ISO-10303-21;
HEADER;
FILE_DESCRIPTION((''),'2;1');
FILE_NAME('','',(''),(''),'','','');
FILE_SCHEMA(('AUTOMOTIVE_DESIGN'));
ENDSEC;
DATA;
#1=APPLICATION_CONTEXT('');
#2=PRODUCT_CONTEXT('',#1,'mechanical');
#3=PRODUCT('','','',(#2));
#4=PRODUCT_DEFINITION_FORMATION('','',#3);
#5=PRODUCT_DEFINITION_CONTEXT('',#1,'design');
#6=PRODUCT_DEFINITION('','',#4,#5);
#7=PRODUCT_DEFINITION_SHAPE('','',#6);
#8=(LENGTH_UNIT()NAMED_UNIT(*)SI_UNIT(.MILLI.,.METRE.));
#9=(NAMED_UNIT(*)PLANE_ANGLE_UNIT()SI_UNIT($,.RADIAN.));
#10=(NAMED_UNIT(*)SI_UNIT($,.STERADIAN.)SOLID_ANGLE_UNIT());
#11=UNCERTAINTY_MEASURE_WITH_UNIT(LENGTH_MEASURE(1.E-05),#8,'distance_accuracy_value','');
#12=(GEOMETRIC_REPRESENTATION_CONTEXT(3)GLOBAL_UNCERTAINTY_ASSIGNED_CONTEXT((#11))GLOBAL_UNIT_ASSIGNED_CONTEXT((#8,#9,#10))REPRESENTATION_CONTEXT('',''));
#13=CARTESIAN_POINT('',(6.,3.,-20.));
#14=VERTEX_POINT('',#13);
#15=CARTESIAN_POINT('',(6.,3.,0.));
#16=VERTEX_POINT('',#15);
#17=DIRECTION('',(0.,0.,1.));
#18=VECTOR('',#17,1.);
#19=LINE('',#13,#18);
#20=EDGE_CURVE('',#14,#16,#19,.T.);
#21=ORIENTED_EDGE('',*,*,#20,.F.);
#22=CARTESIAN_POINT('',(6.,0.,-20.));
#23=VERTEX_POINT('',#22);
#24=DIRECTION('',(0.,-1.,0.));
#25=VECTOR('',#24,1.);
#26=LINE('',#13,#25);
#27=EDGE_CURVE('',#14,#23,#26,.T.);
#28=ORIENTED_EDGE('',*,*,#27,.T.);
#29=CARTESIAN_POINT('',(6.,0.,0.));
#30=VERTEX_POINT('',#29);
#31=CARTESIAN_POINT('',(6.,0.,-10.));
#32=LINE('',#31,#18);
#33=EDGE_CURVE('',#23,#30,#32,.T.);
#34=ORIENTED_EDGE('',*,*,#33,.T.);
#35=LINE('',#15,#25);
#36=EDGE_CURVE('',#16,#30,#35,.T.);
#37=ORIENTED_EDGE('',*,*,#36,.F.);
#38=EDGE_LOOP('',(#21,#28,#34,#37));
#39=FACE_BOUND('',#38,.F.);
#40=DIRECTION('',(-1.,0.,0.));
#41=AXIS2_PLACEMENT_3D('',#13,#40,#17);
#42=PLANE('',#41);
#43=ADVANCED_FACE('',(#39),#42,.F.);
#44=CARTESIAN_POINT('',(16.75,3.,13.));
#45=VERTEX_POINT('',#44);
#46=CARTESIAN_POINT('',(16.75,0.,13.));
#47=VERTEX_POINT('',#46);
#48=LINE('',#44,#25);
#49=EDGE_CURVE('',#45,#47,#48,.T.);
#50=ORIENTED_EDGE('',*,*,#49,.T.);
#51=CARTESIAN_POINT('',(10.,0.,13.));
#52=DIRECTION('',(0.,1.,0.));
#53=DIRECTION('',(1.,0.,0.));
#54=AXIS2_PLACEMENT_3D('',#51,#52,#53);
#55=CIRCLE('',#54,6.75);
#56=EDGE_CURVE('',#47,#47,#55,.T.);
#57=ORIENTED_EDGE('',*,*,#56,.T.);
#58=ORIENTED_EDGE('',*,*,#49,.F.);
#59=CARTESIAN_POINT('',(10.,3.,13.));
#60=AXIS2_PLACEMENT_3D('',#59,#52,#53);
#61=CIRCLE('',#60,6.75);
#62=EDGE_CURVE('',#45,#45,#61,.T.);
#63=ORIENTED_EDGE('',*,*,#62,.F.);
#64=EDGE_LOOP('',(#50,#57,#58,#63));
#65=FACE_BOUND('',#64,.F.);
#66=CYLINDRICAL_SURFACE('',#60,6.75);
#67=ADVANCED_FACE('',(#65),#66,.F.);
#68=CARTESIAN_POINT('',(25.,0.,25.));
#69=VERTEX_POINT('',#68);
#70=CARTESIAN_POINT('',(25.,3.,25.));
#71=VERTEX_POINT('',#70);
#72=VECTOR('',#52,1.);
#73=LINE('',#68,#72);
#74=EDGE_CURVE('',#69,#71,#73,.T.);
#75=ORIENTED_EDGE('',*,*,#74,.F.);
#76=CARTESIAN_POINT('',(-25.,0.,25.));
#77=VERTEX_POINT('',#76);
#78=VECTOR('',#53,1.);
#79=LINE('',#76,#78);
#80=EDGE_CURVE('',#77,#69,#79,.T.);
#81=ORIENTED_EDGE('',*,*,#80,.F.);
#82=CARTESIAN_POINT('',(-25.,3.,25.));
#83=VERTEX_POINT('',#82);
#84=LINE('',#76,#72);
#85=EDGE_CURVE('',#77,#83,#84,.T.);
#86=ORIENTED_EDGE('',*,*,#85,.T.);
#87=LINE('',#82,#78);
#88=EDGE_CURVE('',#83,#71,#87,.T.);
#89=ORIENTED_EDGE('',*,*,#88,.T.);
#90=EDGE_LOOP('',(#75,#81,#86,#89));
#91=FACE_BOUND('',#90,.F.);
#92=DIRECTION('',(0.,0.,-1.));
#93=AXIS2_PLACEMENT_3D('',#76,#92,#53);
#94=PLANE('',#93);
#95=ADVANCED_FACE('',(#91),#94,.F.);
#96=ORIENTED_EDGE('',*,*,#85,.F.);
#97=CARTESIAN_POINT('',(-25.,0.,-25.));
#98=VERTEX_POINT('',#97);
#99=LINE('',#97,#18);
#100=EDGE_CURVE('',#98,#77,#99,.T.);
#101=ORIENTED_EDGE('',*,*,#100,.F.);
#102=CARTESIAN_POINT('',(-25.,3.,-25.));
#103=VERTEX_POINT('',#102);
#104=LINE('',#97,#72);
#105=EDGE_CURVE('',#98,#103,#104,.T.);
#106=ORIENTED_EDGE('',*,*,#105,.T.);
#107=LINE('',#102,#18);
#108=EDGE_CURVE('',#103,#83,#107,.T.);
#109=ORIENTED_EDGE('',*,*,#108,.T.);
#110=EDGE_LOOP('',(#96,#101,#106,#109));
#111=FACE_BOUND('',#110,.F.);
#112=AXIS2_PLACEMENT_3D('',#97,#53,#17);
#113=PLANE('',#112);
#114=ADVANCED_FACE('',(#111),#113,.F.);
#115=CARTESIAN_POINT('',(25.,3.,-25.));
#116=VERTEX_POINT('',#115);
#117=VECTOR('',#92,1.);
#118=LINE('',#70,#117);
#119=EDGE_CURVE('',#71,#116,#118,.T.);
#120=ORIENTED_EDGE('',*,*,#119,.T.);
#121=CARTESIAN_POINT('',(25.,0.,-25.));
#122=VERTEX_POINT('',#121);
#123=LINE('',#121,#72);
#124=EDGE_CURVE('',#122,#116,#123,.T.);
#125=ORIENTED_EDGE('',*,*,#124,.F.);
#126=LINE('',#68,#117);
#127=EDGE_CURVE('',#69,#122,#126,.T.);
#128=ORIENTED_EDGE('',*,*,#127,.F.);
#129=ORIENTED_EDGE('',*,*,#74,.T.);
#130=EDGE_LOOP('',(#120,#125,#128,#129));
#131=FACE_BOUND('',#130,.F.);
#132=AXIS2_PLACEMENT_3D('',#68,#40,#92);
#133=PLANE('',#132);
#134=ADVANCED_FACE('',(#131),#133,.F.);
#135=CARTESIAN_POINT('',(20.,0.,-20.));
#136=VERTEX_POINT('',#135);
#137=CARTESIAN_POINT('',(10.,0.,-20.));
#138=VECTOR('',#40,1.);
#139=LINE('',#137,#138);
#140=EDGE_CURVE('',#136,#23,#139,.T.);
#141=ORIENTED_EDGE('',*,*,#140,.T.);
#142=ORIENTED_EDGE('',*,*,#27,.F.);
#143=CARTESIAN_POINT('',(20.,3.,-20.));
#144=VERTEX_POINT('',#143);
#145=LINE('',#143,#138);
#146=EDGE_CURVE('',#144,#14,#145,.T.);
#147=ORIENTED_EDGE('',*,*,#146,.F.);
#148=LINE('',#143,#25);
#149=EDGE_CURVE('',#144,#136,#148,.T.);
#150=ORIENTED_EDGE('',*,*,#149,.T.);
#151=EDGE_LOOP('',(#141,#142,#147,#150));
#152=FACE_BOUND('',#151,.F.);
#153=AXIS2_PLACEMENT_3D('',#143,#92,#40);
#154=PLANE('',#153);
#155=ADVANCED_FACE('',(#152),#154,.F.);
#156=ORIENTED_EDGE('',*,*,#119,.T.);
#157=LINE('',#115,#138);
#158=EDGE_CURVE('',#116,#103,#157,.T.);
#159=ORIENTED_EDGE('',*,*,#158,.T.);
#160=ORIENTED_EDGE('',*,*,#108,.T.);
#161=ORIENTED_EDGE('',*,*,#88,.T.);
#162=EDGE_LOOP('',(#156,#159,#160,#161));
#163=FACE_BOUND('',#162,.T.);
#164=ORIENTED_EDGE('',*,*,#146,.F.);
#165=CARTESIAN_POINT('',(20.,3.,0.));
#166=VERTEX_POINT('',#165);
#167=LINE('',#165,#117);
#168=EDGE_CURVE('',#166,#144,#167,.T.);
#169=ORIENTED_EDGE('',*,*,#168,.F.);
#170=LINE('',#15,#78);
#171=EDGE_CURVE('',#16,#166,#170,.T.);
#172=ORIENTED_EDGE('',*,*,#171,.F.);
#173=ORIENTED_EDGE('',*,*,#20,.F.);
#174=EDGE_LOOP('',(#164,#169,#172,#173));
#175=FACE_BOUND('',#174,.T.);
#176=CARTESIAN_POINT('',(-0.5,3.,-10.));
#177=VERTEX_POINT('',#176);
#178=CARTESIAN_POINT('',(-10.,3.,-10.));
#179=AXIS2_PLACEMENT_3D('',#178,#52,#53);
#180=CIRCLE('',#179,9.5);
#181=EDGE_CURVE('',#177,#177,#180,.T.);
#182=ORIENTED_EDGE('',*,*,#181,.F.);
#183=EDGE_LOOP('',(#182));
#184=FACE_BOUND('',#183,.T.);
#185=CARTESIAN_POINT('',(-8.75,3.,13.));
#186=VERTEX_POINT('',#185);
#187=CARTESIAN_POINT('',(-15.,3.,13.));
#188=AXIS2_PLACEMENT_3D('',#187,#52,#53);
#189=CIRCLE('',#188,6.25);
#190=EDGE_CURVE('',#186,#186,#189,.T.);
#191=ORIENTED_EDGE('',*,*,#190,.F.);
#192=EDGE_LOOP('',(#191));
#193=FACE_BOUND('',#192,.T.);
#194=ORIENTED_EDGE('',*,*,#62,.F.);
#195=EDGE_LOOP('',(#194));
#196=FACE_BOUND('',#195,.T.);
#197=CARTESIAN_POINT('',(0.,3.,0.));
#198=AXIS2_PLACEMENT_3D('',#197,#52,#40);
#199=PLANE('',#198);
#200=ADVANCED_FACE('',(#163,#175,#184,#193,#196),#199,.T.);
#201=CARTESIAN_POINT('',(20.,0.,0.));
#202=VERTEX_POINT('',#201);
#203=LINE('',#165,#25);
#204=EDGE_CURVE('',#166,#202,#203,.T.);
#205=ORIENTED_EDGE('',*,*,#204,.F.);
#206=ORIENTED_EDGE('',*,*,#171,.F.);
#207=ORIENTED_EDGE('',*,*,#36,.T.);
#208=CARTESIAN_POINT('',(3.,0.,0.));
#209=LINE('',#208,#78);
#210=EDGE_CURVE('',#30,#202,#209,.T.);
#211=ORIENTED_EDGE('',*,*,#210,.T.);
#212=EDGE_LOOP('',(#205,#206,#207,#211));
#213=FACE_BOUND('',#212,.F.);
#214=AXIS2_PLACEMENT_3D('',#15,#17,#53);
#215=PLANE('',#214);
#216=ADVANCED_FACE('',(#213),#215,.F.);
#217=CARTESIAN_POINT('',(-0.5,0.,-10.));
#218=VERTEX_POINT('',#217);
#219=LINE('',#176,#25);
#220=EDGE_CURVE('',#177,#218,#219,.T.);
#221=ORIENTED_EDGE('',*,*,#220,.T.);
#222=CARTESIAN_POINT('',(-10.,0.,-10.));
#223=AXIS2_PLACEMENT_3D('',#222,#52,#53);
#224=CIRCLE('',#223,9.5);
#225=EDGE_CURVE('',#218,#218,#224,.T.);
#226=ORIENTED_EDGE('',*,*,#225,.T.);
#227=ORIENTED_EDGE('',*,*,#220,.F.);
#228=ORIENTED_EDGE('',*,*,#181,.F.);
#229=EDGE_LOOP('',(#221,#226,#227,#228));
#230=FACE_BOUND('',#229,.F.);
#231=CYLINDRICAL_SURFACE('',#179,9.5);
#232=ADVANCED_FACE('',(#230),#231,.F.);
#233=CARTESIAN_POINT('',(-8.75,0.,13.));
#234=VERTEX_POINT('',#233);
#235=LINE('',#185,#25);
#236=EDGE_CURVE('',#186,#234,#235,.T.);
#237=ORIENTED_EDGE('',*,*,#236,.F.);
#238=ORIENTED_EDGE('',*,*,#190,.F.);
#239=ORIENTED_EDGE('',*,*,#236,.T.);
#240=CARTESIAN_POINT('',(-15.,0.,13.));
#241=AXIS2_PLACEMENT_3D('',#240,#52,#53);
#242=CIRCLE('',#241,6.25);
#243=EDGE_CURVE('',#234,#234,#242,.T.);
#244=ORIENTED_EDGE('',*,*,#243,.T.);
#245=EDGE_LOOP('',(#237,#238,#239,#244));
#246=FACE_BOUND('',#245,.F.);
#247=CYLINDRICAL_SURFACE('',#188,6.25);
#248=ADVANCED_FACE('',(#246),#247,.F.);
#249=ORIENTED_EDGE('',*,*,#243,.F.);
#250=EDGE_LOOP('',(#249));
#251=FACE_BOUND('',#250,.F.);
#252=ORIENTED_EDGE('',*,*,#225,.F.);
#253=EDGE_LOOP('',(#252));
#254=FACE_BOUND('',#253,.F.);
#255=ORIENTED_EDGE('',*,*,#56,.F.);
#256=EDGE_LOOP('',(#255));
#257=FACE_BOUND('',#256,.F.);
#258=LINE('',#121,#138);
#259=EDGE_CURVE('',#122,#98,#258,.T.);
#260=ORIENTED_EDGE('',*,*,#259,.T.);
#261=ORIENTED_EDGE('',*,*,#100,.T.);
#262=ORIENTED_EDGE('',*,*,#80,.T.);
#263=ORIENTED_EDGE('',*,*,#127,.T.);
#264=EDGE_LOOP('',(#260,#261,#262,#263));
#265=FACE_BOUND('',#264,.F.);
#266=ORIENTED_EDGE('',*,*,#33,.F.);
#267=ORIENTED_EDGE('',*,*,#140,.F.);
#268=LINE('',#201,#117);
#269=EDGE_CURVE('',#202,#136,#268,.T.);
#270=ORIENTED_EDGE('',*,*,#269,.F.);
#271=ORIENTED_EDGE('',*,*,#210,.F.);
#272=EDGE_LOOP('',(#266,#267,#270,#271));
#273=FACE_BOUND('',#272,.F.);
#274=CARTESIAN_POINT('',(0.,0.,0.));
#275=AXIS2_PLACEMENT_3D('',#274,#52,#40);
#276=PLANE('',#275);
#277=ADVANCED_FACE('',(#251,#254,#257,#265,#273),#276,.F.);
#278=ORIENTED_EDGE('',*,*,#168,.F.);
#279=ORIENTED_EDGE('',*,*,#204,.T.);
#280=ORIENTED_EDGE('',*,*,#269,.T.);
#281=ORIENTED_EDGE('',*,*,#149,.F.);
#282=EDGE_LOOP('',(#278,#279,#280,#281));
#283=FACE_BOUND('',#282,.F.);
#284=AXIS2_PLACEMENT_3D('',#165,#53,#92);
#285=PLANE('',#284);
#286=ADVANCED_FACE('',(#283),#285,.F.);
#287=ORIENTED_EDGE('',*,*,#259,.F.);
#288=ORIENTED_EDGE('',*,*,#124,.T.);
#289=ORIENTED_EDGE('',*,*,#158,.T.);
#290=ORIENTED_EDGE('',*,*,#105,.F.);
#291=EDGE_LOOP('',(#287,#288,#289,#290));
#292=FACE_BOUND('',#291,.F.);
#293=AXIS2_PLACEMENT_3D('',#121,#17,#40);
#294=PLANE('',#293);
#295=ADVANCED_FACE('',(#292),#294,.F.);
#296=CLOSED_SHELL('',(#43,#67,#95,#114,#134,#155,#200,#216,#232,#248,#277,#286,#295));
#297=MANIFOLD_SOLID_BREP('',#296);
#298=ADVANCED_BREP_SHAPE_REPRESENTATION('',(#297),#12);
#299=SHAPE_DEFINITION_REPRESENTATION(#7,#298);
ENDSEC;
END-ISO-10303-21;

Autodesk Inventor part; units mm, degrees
ref_plane "YZ Plane" through (0, 0, 0) normal (1, 0, 0) x (0, 1, 0)
ref_plane "XZ Plane" through (0, 0, 0) normal (0, 1, 0) x (-1, 0, 0)
ref_plane "XY Plane" through (0, 0, 0) normal (0, 0, 1) x (1, 0, 0)
sketch "Sketch1" plane through (0, 0, 0) normal (0, 1, 0) x (-1, 0, 0)
  line L0 (-25, -25) -> (25, -25)
  line L1 (25, -25) -> (25, 25)
  line L2 (25, 25) -> (-25, 25)
  line L3 (-25, 25) -> (-25, -25)
  line L4 (-25, -25) -> (25, 25) construction
  line L5 (25, -25) -> (-25, 25) construction
  point P0 (0, 0)
  dimension "d7" = 50
  dimension "d8" = 50
extrude "Base plate" add sketch "Sketch1" along normal blind 3
sketch "Sketch2" plane through (0, 3, 0) normal (0, 1, 0) x (1, 0, 0)
  circle A0 centre (10, -13) radius 6.75
  line L0 (-25, 25) -> (-25, -25) projected
  line L1 (-25, -25) -> (25, -25) projected
  point P0 (0, 0)
  dimension "d2" = 13.5
  dimension "d3" = 35
  dimension "d4" = 12
extrude "Tuimel" cut sketch "Sketch2" against normal through all
sketch "Sketch3" plane through (0, 3, 0) normal (0, 1, 0) x (1, 0, 0)
  circle A0 centre (-15, -13) radius 6.25
  line L0 (-25, 25) -> (-25, -25) projected
  line L1 (-25, -25) -> (25, -25) projected
  point P0 (0, 0)
  point P1 (5.9214, -25)
  point P2 (-5.9214, -25)
  dimension "d9" = 12.5
  dimension "d10" = 10
  dimension "d11" = 12
extrude "Button" cut sketch "Sketch3" against normal through all
sketch "Sketch5" plane through (0, 3, 0) normal (0, 1, 0) x (1, 0, 0)
  circle A0 centre (-10, 10) radius 9.5
  line L0 (-25, 25) -> (-25, -25) projected
  line L1 (-25, -25) -> (25, -25) projected
  point P0 (0, 0)
  dimension "d19" = 19
  dimension "d20" = 15
  dimension "d21" = 35
extrude "Sleutel 19" cut sketch "Sketch5" against normal through all
sketch "Sketch6" plane through (0, 3, 0) normal (0, 1, 0) x (1, 0, 0)
  line L0 (6, 0) -> (20, 0)
  line L1 (20, 0) -> (20, 20)
  line L2 (20, 20) -> (6, 20)
  line L3 (6, 20) -> (6, 0)
  line L4 (6, 0) -> (20, 20) construction
  line L5 (20, 0) -> (6, 20) construction
  line L6 (25, 25) -> (-25, 25) projected
  line L7 (25, -25) -> (25, 25) projected
  point P0 (0, 0)
  point P1 (13, 10)
  dimension "d24" = 14
  dimension "d25" = 20
  dimension "d26" = 5
  dimension "d27" = 5
extrude "Schakelaar" cut sketch "Sketch6" against normal through all
properties part number "Holes_Test"
